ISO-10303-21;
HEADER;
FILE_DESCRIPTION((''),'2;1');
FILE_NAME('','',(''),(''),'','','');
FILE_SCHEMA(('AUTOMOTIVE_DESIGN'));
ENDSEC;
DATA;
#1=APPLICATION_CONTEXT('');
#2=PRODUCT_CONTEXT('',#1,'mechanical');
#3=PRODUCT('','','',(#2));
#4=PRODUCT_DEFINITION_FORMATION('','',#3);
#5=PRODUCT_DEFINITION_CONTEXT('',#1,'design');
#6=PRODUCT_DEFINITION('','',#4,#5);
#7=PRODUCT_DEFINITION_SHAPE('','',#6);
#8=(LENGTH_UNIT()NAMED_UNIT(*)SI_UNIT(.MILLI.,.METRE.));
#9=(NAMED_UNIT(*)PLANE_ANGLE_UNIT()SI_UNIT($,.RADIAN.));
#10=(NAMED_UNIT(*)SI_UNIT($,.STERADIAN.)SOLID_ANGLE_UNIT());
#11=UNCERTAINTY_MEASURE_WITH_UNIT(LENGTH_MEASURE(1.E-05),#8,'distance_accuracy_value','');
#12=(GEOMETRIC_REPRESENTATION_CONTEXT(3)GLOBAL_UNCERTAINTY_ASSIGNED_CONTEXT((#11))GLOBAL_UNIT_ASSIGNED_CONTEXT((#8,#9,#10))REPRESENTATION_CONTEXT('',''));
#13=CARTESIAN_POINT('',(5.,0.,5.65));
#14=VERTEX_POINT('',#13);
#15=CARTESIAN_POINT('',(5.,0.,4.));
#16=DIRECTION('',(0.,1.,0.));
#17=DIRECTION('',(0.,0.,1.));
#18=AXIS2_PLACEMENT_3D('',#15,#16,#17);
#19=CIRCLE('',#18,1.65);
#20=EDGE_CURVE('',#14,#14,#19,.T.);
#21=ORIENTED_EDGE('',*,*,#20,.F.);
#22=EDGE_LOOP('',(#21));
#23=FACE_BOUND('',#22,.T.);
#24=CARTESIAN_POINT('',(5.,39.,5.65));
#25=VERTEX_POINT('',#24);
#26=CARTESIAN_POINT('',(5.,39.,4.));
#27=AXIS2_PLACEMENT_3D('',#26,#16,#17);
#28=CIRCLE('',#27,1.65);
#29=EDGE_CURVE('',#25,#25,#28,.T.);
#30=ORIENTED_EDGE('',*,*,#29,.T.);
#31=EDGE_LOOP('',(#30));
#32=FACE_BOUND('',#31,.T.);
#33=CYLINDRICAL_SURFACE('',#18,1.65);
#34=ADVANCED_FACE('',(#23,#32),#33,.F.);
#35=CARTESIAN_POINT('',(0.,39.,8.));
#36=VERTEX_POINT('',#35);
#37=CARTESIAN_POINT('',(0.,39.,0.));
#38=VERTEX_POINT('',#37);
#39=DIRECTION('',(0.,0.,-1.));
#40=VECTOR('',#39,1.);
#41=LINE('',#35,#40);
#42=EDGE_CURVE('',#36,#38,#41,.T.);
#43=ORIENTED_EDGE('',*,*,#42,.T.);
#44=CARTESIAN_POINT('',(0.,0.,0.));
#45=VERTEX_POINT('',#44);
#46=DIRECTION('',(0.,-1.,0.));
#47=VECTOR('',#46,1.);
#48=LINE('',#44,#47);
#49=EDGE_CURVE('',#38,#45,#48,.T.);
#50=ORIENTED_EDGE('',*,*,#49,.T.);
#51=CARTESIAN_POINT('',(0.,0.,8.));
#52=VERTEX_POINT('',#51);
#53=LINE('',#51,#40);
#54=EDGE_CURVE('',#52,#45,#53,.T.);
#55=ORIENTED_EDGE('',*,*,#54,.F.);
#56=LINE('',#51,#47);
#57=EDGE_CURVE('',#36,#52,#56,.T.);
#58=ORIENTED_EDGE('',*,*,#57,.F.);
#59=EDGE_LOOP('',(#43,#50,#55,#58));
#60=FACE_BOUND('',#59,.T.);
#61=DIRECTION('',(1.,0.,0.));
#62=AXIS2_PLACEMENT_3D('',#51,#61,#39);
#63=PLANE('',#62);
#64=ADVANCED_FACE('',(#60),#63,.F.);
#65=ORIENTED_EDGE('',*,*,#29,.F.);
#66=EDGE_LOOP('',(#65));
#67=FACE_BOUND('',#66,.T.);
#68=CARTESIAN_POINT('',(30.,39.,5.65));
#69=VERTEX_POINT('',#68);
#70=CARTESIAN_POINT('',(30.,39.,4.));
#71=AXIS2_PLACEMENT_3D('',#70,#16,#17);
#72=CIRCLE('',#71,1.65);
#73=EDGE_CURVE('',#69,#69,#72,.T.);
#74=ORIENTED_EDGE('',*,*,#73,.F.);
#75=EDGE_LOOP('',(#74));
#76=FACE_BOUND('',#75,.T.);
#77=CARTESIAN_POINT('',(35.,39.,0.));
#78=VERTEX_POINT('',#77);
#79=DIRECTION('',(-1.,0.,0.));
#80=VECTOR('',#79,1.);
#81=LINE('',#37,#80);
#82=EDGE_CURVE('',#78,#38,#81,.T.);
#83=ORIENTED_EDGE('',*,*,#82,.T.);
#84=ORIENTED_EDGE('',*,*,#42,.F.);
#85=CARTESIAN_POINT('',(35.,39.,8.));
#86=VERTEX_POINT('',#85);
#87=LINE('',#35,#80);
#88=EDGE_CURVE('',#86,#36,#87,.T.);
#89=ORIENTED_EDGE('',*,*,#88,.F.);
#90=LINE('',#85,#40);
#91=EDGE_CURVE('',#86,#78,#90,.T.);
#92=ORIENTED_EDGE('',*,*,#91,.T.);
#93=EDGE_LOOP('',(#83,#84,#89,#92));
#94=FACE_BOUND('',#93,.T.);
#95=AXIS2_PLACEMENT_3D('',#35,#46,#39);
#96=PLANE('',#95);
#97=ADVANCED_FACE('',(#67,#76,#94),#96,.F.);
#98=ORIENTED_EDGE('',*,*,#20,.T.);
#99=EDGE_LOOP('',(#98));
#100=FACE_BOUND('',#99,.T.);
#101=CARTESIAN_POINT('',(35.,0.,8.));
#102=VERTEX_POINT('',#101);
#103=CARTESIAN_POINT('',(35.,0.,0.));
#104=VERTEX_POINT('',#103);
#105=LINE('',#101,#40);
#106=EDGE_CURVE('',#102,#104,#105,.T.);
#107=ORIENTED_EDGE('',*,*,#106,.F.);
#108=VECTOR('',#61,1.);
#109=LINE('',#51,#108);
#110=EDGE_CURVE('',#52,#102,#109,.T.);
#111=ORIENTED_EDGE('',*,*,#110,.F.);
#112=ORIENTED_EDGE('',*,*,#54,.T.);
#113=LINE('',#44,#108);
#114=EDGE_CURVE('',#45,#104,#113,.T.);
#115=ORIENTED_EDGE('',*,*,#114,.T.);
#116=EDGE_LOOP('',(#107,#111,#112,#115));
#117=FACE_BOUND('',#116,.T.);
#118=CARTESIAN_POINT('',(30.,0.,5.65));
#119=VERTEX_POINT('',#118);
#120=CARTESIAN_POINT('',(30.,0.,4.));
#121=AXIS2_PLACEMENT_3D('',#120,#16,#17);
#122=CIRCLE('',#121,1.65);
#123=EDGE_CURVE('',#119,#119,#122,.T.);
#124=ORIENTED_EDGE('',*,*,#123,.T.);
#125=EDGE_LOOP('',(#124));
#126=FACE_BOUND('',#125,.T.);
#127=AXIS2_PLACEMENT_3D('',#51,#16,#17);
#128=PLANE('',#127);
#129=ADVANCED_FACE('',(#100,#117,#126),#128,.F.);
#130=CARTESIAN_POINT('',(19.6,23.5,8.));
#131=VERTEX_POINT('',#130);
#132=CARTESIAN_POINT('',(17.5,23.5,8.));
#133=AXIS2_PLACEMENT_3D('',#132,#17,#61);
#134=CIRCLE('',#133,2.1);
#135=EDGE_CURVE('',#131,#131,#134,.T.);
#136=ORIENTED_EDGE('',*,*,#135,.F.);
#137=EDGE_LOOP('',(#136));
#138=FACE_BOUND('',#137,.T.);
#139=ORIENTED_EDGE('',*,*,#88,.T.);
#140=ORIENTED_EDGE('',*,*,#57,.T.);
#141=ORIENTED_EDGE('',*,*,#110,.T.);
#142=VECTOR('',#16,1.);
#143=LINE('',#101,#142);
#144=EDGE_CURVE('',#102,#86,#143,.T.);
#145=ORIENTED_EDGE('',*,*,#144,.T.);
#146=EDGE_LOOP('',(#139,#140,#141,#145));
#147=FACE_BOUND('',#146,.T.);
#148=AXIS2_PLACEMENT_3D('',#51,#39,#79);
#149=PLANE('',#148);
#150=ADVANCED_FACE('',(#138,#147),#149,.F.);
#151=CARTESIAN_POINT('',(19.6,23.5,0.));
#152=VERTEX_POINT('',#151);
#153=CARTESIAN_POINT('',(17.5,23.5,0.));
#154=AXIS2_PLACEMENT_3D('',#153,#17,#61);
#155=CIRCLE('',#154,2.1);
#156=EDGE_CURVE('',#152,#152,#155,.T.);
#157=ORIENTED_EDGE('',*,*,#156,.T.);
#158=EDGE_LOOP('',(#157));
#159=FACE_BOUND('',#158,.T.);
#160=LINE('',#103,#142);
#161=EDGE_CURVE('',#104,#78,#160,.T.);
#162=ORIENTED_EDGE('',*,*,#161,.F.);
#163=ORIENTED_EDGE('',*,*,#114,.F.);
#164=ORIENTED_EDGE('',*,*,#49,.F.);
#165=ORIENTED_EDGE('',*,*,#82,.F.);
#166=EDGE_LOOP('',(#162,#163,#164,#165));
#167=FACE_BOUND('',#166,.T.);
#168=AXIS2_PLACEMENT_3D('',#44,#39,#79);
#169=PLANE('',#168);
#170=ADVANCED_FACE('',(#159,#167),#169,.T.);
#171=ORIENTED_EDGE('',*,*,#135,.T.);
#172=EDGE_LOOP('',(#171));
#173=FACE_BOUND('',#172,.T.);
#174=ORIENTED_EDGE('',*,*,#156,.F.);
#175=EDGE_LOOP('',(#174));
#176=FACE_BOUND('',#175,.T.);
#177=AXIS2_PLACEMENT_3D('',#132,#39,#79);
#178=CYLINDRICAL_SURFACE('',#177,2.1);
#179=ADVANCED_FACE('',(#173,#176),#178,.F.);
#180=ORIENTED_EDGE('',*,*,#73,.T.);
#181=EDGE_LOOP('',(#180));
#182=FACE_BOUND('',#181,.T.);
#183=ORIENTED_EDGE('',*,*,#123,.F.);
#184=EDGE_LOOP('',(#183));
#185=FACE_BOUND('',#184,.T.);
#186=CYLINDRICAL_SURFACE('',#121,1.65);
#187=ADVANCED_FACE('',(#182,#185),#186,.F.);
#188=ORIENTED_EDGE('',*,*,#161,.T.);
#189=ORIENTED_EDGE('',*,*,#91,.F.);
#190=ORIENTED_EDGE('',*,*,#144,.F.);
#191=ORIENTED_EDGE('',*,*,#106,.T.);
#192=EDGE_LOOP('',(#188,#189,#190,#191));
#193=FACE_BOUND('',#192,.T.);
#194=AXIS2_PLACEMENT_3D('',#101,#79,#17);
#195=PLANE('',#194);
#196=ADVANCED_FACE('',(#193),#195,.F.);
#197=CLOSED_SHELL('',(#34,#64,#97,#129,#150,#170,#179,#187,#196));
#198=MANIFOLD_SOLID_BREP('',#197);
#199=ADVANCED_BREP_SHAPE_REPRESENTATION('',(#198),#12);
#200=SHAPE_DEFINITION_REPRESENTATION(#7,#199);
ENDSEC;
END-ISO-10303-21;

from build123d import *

# Parameters (mm, degrees)
SKETCH_1_W          = 35
SKETCH_1_H          = 39
SKETCH_1_R          = 2.1
EXTRUDE_1_DEPTH     = 8
SKETCH_2_R          = 1.65
CUT_EXTRUDE_1_DEPTH = 54.009433123


with BuildPart() as part:
    # 草图1 → 凸台-拉伸1 (new body)
    with BuildSketch(Plane.XY):
        with Locations((17.5, 19.5)):
            Rectangle(SKETCH_1_W, SKETCH_1_H)
        with Locations((17.5, 23.5)):
            Circle(SKETCH_1_R, mode=Mode.SUBTRACT)
    extrude(amount=EXTRUDE_1_DEPTH)

    # 草图2 → 切除-拉伸1 (cut, through all)
    with BuildSketch(Plane(origin=(0, 39, 0), x_dir=(1, 0, 0), z_dir=(0, 1, 0))):
        with Locations(Location((5, -4, 0), (0, 0, 270))):
            Circle(SKETCH_2_R)
        with Locations(Location((30, -4, 0), (0, 0, 270))):
            Circle(SKETCH_2_R)
    extrude(amount=-CUT_EXTRUDE_1_DEPTH, mode=Mode.SUBTRACT)


solid = part.part
